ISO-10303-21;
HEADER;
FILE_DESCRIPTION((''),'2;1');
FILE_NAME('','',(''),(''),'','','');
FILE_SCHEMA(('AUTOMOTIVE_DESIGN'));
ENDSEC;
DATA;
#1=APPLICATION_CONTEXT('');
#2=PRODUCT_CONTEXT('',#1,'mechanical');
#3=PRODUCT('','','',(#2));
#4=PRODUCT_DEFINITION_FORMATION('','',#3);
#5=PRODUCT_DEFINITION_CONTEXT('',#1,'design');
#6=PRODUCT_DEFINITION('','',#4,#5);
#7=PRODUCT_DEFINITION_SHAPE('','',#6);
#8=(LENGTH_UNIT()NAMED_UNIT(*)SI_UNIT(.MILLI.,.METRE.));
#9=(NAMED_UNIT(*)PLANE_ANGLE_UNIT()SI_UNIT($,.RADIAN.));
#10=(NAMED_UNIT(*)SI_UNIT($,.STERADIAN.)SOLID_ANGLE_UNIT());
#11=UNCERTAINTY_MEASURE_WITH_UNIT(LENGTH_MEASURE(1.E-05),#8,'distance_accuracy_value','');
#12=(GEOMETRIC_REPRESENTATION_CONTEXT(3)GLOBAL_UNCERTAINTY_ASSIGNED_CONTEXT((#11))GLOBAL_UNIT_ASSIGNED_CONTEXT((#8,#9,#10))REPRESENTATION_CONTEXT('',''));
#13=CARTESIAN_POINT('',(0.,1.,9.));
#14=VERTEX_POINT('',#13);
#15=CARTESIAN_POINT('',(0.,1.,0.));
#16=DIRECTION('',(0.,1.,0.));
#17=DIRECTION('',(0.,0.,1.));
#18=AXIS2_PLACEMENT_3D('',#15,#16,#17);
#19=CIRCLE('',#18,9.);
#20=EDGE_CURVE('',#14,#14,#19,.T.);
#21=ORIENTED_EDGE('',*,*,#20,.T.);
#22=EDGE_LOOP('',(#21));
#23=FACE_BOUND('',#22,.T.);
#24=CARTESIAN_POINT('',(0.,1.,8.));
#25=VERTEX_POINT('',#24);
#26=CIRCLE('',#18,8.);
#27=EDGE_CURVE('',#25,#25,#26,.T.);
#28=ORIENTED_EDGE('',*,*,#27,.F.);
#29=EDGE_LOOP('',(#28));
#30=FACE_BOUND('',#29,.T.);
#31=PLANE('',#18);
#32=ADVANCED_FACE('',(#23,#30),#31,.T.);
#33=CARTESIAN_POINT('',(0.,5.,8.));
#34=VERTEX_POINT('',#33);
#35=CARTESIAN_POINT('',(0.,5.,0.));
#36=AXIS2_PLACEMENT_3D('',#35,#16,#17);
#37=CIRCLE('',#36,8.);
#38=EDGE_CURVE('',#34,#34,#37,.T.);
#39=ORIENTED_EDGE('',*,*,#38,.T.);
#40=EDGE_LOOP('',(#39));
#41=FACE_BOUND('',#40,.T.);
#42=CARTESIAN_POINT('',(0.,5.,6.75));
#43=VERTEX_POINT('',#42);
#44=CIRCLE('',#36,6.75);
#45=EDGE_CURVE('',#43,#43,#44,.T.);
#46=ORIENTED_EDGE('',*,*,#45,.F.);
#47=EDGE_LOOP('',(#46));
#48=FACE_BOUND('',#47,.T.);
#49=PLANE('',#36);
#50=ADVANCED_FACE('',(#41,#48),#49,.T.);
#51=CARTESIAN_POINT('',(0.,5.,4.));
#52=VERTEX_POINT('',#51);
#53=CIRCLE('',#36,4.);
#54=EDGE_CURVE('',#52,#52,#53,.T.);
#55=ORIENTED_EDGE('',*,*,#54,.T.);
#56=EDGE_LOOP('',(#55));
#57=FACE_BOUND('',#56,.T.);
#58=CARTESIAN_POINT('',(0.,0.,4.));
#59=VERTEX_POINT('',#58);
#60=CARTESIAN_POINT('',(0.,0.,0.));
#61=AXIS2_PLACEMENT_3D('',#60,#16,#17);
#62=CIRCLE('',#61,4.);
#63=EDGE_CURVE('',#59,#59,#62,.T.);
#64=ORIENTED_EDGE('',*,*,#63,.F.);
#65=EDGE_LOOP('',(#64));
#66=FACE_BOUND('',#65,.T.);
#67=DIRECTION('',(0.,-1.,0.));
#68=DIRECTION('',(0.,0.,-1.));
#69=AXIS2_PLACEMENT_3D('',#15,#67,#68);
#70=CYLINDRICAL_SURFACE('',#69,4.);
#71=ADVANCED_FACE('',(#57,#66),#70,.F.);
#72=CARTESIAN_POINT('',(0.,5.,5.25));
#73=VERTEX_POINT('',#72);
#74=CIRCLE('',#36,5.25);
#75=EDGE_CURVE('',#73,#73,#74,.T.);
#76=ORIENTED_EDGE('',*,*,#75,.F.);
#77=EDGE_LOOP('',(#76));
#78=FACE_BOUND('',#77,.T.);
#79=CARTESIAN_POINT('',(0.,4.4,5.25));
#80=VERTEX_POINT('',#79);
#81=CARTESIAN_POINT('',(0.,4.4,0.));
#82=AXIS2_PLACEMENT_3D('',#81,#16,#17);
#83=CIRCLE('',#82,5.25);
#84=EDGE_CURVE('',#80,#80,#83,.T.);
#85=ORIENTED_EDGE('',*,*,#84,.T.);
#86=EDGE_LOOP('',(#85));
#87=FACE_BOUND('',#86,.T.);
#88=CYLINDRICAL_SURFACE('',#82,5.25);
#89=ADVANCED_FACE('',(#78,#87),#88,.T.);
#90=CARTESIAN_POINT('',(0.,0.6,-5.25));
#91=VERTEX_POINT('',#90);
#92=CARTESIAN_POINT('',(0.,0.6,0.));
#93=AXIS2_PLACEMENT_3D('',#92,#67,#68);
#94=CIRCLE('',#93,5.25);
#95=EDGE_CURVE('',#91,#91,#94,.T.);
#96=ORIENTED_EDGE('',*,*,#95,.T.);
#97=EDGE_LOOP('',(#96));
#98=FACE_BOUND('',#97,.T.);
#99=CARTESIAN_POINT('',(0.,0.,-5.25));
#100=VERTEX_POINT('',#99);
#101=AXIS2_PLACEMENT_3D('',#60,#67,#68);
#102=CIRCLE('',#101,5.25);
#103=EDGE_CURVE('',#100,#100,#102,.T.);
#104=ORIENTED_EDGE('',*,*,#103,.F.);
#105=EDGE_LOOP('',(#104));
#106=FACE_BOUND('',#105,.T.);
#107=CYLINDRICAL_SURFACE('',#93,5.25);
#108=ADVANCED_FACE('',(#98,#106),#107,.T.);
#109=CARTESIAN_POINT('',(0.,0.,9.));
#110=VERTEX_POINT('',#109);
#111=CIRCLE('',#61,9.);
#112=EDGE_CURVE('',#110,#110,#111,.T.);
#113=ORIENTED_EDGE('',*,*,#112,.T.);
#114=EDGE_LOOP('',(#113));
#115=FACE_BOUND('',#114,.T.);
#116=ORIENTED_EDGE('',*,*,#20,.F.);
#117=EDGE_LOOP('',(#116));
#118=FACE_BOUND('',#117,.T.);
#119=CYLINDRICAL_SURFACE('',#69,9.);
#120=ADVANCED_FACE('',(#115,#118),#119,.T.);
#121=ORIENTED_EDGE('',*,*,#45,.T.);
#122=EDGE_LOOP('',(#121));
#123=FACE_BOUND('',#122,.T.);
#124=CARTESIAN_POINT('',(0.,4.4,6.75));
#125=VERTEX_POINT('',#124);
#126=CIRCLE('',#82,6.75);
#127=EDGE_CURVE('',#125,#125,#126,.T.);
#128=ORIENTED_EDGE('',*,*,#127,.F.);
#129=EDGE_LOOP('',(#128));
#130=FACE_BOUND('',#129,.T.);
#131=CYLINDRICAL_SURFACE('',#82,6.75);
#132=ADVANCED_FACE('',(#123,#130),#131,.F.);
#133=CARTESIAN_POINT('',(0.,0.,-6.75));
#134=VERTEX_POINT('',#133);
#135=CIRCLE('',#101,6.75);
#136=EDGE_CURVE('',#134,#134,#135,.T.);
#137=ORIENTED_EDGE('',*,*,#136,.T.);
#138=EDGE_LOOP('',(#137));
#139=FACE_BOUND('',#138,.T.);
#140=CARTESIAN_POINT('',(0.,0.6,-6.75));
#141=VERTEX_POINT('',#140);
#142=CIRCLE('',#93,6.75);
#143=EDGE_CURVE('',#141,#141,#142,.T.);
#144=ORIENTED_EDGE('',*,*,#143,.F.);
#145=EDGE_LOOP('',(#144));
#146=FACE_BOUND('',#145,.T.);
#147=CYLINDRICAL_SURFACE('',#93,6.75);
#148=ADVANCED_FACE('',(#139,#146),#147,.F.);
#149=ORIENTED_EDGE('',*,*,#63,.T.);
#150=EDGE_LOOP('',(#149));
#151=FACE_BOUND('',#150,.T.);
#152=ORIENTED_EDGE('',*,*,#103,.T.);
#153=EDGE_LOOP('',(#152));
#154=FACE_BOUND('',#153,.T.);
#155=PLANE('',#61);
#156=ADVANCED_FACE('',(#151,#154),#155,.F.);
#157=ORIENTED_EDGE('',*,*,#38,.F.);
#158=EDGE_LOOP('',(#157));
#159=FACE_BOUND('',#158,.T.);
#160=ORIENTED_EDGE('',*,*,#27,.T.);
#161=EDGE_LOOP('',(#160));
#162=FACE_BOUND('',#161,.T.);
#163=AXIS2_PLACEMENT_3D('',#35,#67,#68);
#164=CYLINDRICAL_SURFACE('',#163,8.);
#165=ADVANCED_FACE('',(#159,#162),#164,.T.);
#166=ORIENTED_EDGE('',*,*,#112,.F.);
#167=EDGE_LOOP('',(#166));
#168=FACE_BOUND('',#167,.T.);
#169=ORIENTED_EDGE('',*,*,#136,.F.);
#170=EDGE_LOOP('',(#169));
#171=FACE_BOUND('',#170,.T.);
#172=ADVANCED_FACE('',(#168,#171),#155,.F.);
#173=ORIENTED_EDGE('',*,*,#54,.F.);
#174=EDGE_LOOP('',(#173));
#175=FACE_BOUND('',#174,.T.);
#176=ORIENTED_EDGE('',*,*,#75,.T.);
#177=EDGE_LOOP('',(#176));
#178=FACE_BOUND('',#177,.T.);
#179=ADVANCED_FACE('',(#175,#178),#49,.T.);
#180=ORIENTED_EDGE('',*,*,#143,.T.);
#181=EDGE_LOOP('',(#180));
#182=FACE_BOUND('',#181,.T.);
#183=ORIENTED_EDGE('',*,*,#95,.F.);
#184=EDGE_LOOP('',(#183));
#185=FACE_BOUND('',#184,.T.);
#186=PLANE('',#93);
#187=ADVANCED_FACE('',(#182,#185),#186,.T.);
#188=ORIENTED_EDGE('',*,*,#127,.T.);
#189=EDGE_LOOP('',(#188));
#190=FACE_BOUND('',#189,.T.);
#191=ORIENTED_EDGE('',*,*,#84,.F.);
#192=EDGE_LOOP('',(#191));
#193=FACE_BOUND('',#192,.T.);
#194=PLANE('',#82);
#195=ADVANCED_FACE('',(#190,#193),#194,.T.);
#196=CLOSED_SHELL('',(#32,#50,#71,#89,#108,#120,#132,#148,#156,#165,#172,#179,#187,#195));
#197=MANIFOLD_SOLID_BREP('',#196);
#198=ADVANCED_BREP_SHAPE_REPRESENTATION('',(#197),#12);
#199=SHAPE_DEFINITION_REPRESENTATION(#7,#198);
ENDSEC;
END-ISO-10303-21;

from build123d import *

# Parameters (mm, degrees)
SKETCH1_R           = 9
SKETCH1_R_2         = 4
BOSS_EXTRUDE1_DEPTH = 1
SKETCH2_R           = 8
SKETCH2_R_2         = 4
BOSS_EXTRUDE2_DEPTH = 4
SKETCH3_R           = 6.75
SKETCH3_R_2         = 5.25
CUT_EXTRUDE1_DEPTH  = 0.6
CUT_EXTRUDE2_START  = -0.6
SKETCH4_R           = 6.75
SKETCH4_R_2         = 5.25
CUT_EXTRUDE2_DEPTH  = 0.6


with BuildPart() as part:
    # Sketch1 → Boss-Extrude1 (new body)
    with BuildSketch(Plane(origin=(0, 0, 0), x_dir=(1, 0, 0), z_dir=(0, 1, 0))):
        with Locations(Location((0, 0, 0), (0, 0, 270))):
            Circle(SKETCH1_R)
        with Locations(Location((0, 0, 0), (0, 0, 270))):
            Circle(SKETCH1_R_2, mode=Mode.SUBTRACT)
    extrude(amount=BOSS_EXTRUDE1_DEPTH)

    # Sketch2 → Boss-Extrude2 (add)
    with BuildSketch(Plane(origin=(0, 1, 0), x_dir=(1, 0, 0), z_dir=(0, 1, 0))):
        with Locations(Location((0, 0, 0), (0, 0, 270))):
            Circle(SKETCH2_R)
        with Locations(Location((0, 0, 0), (0, 0, 270))):
            Circle(SKETCH2_R_2, mode=Mode.SUBTRACT)
    extrude(amount=BOSS_EXTRUDE2_DEPTH)

    # Sketch3 → Cut-Extrude1 (cut)
    with BuildSketch(Plane(origin=(0, 5, 0), x_dir=(1, 0, 0), z_dir=(0, 1, 0))):
        with Locations(Location((0, 0, 0), (0, 0, 270))):
            Circle(SKETCH3_R)
        with Locations(Location((0, 0, 0), (0, 0, 270))):
            Circle(SKETCH3_R_2, mode=Mode.SUBTRACT)
    extrude(amount=-CUT_EXTRUDE1_DEPTH, mode=Mode.SUBTRACT)

    # Sketch4 → Cut-Extrude2 (cut)
    with BuildSketch(Plane(origin=(0, 0, 0), x_dir=(-1, 0, 0), z_dir=(0, -1, 0)).offset(CUT_EXTRUDE2_START)):
        with Locations(Location((0, 0, 0), (0, 0, 270))):
            Circle(SKETCH4_R)
        with Locations(Location((0, 0, 0), (0, 0, 270))):
            Circle(SKETCH4_R_2, mode=Mode.SUBTRACT)
    extrude(amount=CUT_EXTRUDE2_DEPTH, mode=Mode.SUBTRACT)


solid = part.part
